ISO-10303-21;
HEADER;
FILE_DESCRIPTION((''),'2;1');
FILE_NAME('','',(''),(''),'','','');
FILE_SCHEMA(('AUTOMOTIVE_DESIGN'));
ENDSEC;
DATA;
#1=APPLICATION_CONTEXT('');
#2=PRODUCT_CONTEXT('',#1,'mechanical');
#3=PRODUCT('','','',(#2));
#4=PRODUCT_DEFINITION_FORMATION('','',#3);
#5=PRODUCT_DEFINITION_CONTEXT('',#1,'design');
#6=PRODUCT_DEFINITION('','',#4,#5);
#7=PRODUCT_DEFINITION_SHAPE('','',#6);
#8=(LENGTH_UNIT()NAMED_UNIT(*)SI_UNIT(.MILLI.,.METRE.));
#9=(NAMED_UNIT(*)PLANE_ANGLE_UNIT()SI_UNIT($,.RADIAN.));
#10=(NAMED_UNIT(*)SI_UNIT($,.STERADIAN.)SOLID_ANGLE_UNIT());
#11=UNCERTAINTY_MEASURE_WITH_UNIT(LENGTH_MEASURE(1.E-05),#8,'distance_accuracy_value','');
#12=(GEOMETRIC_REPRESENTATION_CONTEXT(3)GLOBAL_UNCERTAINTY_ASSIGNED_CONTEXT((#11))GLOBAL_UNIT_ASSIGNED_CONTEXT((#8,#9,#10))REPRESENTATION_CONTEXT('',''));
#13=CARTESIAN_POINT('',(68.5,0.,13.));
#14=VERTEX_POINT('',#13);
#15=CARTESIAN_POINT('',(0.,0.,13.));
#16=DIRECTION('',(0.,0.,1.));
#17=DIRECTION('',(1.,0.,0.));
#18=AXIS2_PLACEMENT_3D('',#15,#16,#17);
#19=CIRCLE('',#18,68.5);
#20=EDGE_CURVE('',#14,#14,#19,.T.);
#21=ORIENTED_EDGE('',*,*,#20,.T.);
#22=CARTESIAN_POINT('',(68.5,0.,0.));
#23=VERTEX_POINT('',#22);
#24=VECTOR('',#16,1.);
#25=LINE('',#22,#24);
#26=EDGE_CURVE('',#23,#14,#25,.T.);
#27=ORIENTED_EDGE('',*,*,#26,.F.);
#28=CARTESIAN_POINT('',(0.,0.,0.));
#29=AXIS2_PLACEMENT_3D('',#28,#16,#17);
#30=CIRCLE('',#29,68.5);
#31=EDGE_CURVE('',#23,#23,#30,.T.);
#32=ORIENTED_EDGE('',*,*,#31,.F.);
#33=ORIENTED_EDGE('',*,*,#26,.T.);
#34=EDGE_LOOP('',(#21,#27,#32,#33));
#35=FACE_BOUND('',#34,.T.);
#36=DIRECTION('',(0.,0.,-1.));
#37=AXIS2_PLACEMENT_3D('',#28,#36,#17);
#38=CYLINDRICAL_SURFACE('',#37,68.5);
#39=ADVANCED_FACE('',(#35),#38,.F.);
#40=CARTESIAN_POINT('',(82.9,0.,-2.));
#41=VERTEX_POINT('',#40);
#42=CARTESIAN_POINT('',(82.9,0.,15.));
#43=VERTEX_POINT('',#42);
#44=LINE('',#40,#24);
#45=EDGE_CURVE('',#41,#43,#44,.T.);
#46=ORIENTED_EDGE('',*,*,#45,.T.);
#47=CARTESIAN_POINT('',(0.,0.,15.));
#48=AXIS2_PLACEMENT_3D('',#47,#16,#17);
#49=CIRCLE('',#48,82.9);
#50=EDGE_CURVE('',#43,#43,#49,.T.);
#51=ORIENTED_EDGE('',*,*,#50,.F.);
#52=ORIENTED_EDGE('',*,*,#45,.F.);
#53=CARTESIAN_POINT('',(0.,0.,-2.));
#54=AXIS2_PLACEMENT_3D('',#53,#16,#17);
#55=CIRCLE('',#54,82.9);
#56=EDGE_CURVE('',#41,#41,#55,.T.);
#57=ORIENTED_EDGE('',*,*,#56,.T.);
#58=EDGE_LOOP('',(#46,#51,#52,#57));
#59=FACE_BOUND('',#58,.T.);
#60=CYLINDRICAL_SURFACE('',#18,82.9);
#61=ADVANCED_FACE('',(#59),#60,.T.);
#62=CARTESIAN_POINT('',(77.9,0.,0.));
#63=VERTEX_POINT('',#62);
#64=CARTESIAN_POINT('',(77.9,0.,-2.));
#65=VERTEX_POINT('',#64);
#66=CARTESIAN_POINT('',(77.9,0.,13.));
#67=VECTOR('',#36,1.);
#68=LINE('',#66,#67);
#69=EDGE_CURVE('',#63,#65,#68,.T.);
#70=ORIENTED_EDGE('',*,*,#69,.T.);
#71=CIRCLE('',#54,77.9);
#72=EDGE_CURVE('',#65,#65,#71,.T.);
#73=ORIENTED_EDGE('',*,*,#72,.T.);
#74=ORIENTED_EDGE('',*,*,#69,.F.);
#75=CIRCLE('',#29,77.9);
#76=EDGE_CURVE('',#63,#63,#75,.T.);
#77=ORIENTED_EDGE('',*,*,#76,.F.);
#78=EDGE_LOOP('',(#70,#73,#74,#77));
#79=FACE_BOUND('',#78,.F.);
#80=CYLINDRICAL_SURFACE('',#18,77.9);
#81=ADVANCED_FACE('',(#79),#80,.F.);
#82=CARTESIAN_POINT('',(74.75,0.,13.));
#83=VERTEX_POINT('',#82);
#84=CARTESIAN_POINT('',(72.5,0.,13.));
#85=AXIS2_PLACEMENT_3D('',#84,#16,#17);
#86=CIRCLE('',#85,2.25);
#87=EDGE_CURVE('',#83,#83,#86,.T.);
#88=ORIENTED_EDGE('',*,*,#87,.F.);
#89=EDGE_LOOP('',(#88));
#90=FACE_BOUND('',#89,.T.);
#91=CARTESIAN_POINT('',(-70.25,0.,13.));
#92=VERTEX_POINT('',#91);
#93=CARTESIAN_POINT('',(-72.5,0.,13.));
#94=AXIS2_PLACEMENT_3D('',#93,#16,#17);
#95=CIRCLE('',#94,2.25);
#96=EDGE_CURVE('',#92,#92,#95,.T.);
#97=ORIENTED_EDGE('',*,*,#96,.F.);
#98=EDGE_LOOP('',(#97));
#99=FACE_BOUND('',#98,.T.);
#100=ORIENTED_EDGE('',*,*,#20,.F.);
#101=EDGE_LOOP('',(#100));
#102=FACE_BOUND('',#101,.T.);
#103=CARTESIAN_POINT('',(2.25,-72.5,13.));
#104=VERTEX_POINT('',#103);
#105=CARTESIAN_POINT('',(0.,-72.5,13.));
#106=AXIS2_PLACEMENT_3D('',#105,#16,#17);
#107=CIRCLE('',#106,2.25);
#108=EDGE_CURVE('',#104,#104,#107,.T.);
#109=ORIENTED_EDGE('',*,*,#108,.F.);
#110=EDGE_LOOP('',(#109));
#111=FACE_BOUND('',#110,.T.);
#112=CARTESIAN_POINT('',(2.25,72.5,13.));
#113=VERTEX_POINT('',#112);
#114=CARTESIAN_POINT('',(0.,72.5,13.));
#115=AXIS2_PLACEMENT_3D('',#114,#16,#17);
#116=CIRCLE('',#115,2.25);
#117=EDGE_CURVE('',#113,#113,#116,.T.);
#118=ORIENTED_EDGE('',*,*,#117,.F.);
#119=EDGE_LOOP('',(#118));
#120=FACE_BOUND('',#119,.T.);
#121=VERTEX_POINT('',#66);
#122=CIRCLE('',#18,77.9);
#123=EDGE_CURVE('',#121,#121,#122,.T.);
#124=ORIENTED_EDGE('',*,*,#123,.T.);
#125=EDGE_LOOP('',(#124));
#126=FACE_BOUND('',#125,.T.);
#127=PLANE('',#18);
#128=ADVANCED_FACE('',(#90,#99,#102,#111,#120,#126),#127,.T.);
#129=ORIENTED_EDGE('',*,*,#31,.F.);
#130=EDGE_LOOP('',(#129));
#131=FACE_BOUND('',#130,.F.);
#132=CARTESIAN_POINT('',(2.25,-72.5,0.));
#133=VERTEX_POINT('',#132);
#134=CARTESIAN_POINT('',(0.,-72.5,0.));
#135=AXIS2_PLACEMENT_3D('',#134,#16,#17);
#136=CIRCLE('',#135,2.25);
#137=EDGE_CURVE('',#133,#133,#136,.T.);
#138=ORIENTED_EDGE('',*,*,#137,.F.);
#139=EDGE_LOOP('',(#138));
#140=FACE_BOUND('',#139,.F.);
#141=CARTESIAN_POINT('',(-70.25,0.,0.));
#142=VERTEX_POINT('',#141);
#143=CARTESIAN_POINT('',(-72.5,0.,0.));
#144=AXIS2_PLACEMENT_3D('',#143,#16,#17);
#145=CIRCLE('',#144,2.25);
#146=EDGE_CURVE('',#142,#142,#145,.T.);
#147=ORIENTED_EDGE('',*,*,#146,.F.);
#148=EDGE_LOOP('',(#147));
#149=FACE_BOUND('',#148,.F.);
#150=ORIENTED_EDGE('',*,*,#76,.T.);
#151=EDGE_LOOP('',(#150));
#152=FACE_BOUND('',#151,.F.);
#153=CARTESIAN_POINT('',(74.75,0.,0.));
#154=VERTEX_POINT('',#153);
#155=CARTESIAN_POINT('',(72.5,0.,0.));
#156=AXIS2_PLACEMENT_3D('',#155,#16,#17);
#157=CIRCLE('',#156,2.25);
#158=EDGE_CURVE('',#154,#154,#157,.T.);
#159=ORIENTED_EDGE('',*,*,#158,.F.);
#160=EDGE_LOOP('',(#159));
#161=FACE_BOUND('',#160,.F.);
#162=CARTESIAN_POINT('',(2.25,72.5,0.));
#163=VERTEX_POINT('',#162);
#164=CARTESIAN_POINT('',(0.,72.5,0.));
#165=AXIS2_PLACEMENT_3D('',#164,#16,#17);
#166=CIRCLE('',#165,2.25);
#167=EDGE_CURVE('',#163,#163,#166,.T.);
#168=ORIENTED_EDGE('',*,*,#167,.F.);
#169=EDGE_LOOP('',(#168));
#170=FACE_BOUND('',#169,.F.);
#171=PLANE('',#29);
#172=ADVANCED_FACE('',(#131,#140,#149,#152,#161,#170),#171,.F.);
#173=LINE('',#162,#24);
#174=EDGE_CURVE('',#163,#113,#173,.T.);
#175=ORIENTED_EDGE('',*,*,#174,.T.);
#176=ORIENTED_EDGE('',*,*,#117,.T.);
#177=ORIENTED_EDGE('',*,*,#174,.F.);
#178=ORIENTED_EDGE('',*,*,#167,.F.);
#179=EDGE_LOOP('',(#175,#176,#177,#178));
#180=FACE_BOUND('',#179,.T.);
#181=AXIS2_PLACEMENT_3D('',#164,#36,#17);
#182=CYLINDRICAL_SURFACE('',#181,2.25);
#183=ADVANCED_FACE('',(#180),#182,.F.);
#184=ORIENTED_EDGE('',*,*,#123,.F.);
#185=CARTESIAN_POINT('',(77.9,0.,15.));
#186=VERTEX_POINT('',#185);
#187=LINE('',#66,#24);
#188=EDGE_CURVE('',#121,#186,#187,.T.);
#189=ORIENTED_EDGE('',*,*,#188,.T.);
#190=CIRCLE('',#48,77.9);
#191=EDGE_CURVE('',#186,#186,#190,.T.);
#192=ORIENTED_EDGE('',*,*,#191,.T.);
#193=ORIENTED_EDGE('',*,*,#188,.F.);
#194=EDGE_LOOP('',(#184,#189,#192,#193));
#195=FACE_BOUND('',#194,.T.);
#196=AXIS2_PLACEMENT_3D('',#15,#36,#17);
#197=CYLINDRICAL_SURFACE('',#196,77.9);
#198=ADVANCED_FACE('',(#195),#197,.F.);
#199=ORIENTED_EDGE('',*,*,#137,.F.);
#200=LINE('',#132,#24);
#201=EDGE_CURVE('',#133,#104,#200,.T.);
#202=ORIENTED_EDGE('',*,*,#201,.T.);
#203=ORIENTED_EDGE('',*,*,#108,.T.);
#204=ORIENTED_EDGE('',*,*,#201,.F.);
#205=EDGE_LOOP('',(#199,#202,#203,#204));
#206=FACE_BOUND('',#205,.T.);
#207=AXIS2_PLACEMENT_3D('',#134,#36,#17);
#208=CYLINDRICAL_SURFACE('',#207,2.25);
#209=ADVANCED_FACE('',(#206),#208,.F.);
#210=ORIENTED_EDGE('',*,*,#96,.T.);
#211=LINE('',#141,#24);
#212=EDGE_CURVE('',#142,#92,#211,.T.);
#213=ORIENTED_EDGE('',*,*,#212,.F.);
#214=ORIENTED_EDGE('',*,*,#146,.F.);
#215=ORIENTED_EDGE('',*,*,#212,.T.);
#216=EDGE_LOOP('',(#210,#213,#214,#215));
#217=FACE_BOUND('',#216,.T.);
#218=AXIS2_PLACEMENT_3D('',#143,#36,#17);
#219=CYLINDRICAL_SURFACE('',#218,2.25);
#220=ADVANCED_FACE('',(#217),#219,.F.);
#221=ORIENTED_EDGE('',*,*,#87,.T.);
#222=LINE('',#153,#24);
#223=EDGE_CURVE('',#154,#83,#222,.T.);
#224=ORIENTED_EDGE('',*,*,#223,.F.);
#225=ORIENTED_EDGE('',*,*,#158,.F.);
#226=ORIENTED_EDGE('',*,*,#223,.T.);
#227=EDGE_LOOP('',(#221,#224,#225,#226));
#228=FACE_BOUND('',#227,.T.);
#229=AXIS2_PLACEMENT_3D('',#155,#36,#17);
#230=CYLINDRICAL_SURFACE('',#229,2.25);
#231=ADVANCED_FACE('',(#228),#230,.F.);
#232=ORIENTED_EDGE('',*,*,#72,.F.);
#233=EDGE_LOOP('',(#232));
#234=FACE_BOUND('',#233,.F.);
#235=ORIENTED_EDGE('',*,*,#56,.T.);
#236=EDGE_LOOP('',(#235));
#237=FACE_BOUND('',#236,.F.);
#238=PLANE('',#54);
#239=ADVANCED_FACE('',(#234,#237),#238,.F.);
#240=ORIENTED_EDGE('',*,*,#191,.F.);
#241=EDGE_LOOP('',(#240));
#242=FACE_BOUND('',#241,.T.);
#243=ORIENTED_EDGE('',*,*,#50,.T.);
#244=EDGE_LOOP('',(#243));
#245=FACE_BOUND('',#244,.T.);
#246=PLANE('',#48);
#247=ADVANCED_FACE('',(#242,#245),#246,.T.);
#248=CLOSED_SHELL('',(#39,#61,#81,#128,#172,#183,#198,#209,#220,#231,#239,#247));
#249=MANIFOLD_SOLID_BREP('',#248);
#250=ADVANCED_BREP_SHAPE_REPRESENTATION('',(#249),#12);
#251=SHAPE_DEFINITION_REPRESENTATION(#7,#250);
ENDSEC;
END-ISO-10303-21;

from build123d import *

# Parameters (mm, degrees)
ESQUISSE1_R             = 77.9
ESQUISSE1_R_2           = 2.25
ESQUISSE1_R_3           = 68.5
BOSS_EXTRU_1_DEPTH      = 13
BOSS_EXTRU_2_DEPTH      = 2
BOSS_EXTRU_2_DEPTH_BACK = 15
ESQUISSE2_R             = 82.9
ESQUISSE2_R_2           = 77.9


with BuildPart() as part:
    # Esquisse1 → Boss.-Extru.1 (new body)
    with BuildSketch(Plane.XY):
        Circle(ESQUISSE1_R)
        with Locations((0, -72.5)):
            Circle(ESQUISSE1_R_2, mode=Mode.SUBTRACT)
        with Locations((72.5, 0)):
            Circle(ESQUISSE1_R_2, mode=Mode.SUBTRACT)
        with Locations((-72.5, 0)):
            Circle(ESQUISSE1_R_2, mode=Mode.SUBTRACT)
        with Locations((0, 72.5)):
            Circle(ESQUISSE1_R_2, mode=Mode.SUBTRACT)
        Circle(ESQUISSE1_R_3, mode=Mode.SUBTRACT)
    extrude(amount=BOSS_EXTRU_1_DEPTH)

    # Esquisse2 → Boss.-Extru.2 (add, two sides: drawn at the far end of the back side and taken through both)
    with BuildSketch(Plane.XY.offset(13).offset(-BOSS_EXTRU_2_DEPTH_BACK)):
        Circle(ESQUISSE2_R)
        Circle(ESQUISSE2_R_2, mode=Mode.SUBTRACT)
    extrude(amount=BOSS_EXTRU_2_DEPTH + BOSS_EXTRU_2_DEPTH_BACK)


solid = part.part
